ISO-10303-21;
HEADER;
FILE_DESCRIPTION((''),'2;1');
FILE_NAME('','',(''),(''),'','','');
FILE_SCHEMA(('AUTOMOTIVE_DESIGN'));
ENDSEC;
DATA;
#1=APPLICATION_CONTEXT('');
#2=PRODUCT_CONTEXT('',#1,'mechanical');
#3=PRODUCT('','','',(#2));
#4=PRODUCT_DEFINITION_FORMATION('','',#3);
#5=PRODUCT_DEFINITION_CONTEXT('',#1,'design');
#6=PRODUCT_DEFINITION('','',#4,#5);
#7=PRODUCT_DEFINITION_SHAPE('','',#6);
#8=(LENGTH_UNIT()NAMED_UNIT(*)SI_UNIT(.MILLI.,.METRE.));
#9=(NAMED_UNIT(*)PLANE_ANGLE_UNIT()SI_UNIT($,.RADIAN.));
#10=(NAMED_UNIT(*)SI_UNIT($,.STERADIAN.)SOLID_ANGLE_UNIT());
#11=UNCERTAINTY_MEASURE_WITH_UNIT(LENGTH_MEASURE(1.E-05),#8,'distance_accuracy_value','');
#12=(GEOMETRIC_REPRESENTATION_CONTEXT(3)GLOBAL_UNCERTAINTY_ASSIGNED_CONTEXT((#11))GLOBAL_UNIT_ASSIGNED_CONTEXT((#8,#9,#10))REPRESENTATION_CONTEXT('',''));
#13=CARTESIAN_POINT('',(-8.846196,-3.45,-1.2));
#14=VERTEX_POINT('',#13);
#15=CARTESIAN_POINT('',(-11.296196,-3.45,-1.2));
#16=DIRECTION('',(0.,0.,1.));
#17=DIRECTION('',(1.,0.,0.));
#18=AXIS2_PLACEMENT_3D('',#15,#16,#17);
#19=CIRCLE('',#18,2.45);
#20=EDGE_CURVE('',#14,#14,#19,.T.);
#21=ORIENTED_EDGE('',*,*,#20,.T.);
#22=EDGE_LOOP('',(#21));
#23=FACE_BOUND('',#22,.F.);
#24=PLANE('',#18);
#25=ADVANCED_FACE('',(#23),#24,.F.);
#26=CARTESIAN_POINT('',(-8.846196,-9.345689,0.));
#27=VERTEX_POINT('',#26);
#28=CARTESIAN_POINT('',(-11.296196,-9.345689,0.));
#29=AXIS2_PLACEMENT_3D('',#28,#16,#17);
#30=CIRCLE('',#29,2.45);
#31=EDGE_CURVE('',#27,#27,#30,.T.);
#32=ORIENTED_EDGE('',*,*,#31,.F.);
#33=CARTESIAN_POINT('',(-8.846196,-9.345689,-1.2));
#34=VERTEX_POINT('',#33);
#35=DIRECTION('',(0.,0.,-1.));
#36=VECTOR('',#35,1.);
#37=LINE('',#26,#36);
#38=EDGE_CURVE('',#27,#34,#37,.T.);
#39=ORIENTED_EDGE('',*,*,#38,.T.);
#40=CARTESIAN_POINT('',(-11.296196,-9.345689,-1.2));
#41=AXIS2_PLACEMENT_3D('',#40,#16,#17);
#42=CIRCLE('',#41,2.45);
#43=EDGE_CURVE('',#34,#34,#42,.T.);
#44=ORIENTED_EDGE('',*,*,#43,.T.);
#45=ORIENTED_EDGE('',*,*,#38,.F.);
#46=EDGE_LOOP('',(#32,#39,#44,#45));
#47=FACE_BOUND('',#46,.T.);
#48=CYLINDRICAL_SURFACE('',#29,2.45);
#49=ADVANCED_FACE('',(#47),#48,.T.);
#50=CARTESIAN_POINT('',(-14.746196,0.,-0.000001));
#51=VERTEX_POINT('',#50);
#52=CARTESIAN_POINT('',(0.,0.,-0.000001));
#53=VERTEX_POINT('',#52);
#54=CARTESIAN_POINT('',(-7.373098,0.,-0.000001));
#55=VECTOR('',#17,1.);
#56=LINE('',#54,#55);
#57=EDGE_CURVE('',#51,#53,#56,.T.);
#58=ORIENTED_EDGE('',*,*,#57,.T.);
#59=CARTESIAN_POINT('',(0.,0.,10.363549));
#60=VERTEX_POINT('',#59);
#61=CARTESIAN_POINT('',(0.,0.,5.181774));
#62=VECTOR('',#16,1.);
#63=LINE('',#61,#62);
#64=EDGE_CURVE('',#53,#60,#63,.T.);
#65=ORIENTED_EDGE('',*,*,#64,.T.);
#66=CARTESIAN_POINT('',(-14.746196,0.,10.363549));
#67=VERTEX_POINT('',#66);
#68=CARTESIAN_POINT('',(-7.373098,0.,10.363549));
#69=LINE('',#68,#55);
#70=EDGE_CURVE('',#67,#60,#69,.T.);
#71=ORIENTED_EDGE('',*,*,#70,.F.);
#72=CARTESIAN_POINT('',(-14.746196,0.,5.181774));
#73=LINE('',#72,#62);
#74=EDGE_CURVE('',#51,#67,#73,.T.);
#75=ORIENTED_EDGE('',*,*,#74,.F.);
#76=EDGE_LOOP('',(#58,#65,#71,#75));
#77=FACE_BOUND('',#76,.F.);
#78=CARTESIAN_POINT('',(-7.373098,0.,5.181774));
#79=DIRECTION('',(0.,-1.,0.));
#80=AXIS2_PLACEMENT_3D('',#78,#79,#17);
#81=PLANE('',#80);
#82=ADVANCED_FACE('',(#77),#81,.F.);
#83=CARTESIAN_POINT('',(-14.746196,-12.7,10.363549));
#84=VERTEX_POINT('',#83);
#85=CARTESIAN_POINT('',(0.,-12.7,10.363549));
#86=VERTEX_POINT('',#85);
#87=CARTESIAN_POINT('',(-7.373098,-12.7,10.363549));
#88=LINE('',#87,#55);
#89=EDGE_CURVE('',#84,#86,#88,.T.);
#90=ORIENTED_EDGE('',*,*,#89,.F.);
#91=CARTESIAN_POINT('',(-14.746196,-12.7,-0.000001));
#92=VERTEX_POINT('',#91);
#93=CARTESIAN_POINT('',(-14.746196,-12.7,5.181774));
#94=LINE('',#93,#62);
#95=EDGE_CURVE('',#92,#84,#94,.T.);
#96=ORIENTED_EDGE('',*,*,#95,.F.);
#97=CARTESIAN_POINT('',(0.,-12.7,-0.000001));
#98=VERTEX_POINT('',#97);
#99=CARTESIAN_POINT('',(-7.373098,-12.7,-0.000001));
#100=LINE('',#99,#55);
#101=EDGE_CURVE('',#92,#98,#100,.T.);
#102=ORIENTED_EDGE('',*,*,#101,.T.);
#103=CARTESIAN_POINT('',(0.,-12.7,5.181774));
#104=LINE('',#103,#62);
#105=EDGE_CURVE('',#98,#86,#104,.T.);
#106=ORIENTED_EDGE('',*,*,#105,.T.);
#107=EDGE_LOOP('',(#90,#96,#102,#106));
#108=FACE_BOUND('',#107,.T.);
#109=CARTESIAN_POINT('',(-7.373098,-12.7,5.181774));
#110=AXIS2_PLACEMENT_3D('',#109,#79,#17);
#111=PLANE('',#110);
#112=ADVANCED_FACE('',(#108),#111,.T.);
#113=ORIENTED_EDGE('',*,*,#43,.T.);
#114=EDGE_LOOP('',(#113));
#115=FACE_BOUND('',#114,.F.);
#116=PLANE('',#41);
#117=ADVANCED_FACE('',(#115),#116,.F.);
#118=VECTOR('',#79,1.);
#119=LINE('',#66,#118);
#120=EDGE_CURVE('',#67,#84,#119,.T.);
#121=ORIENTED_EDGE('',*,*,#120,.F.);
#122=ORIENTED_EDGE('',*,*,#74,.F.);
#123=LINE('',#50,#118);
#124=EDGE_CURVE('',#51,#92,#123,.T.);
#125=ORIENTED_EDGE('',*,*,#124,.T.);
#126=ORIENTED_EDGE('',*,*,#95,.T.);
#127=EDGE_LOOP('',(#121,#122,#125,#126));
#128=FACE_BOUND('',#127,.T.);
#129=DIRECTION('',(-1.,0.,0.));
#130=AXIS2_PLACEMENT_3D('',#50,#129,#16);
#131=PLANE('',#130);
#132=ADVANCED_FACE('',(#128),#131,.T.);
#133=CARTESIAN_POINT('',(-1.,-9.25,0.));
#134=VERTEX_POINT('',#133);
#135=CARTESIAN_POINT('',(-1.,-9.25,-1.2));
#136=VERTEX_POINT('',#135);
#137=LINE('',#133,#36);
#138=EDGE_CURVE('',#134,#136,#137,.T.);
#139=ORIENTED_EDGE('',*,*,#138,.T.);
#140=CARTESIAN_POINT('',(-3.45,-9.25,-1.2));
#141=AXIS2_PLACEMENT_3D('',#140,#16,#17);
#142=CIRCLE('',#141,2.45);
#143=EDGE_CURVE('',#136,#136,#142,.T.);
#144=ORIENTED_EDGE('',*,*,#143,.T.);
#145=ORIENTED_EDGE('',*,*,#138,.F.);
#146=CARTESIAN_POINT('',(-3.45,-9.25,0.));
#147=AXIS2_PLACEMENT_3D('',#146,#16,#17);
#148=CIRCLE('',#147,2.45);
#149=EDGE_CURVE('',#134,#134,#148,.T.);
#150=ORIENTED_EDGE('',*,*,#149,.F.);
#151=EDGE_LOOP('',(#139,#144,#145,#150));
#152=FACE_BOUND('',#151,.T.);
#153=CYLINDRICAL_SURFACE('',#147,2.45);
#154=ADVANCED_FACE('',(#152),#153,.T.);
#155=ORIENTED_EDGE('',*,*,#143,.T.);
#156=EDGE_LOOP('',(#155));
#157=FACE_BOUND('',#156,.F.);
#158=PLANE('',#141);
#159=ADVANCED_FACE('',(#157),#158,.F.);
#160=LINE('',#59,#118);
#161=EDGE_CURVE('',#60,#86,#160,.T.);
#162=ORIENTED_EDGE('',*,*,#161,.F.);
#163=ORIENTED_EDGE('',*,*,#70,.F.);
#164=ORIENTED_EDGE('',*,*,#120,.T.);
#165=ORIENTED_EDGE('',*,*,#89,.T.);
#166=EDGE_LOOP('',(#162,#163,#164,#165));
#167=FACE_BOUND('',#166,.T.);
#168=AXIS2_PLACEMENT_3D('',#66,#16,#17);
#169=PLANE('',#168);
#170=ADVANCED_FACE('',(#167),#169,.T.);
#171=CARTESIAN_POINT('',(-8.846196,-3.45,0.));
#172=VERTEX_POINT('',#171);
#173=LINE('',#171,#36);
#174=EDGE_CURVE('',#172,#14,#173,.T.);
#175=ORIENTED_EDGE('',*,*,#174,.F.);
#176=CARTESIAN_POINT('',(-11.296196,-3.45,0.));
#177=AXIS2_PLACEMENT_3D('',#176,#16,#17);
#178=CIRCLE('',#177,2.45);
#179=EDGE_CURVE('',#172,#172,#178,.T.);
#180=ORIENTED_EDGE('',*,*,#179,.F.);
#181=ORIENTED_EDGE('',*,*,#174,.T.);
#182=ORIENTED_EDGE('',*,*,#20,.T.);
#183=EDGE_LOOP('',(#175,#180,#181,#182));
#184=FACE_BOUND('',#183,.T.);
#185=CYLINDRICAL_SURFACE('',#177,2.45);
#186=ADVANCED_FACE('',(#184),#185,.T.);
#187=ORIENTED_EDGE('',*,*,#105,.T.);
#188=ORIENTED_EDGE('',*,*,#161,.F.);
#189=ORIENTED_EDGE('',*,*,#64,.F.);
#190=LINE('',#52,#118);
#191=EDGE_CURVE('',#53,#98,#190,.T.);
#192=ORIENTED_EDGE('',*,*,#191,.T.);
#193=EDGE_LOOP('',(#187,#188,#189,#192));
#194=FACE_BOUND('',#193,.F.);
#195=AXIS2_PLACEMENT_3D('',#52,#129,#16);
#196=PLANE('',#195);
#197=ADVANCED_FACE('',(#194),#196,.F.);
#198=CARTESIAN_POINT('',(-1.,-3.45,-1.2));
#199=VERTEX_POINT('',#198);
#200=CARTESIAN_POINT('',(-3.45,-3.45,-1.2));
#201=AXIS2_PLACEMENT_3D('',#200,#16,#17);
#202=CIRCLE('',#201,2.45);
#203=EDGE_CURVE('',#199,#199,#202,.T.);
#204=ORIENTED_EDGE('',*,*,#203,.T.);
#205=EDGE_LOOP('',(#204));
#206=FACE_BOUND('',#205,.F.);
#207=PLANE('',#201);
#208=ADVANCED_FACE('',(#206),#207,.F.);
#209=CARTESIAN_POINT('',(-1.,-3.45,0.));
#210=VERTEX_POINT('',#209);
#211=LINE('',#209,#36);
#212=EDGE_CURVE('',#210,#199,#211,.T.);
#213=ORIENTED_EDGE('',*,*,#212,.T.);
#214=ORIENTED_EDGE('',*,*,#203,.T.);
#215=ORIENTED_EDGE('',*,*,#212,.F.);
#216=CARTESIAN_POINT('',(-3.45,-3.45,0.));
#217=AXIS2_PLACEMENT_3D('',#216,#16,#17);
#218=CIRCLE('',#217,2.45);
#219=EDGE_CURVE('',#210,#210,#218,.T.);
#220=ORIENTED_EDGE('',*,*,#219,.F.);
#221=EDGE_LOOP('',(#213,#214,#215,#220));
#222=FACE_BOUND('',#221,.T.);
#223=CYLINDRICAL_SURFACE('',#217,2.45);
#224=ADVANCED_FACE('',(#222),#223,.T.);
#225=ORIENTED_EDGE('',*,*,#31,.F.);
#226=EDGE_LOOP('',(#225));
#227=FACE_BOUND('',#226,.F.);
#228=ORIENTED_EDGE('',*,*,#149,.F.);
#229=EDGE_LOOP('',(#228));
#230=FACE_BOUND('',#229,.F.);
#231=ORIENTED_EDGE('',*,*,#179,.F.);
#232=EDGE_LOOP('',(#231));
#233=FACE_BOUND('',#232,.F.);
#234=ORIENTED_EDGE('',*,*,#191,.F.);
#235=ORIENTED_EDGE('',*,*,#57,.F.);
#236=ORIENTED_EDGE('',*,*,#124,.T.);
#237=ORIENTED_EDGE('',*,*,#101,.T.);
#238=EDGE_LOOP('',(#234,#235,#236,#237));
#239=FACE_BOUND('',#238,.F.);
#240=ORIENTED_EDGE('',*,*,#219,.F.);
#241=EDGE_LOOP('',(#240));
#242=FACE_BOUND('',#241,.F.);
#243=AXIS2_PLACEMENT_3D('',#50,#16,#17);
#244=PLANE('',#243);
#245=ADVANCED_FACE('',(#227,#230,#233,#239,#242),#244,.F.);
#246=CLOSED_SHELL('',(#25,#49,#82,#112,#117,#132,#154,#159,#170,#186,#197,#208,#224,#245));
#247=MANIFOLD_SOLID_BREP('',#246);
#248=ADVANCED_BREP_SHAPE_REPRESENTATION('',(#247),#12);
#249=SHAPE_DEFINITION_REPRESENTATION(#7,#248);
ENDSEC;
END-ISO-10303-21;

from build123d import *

# Parameters (mm, degrees)
F0_W     = 14.746196
F0_H     = 10.363549
F1_DEPTH = 12.7
F2_R     = 2.45
F3_DEPTH = 1.2


with BuildPart() as f1:
    # F0 (on Front) → F1 (new body)
    with BuildSketch(Plane.XZ):
        with Locations((-7.373098, 5.181774)):
            Rectangle(F0_W, F0_H)
    extrude(amount=F1_DEPTH)

    # F2 (on Top) → F3 (join)
    with BuildSketch(Plane.XY):
        with Locations((-3.45, -3.45)):
            Circle(F2_R)
        with Locations((-11.296196, -3.45)):
            Circle(F2_R)
        with Locations((-11.296196, -9.345689)):
            Circle(F2_R)
        with Locations((-3.45, -9.25)):
            Circle(F2_R)
    extrude(amount=-F3_DEPTH)


solid = f1.part
